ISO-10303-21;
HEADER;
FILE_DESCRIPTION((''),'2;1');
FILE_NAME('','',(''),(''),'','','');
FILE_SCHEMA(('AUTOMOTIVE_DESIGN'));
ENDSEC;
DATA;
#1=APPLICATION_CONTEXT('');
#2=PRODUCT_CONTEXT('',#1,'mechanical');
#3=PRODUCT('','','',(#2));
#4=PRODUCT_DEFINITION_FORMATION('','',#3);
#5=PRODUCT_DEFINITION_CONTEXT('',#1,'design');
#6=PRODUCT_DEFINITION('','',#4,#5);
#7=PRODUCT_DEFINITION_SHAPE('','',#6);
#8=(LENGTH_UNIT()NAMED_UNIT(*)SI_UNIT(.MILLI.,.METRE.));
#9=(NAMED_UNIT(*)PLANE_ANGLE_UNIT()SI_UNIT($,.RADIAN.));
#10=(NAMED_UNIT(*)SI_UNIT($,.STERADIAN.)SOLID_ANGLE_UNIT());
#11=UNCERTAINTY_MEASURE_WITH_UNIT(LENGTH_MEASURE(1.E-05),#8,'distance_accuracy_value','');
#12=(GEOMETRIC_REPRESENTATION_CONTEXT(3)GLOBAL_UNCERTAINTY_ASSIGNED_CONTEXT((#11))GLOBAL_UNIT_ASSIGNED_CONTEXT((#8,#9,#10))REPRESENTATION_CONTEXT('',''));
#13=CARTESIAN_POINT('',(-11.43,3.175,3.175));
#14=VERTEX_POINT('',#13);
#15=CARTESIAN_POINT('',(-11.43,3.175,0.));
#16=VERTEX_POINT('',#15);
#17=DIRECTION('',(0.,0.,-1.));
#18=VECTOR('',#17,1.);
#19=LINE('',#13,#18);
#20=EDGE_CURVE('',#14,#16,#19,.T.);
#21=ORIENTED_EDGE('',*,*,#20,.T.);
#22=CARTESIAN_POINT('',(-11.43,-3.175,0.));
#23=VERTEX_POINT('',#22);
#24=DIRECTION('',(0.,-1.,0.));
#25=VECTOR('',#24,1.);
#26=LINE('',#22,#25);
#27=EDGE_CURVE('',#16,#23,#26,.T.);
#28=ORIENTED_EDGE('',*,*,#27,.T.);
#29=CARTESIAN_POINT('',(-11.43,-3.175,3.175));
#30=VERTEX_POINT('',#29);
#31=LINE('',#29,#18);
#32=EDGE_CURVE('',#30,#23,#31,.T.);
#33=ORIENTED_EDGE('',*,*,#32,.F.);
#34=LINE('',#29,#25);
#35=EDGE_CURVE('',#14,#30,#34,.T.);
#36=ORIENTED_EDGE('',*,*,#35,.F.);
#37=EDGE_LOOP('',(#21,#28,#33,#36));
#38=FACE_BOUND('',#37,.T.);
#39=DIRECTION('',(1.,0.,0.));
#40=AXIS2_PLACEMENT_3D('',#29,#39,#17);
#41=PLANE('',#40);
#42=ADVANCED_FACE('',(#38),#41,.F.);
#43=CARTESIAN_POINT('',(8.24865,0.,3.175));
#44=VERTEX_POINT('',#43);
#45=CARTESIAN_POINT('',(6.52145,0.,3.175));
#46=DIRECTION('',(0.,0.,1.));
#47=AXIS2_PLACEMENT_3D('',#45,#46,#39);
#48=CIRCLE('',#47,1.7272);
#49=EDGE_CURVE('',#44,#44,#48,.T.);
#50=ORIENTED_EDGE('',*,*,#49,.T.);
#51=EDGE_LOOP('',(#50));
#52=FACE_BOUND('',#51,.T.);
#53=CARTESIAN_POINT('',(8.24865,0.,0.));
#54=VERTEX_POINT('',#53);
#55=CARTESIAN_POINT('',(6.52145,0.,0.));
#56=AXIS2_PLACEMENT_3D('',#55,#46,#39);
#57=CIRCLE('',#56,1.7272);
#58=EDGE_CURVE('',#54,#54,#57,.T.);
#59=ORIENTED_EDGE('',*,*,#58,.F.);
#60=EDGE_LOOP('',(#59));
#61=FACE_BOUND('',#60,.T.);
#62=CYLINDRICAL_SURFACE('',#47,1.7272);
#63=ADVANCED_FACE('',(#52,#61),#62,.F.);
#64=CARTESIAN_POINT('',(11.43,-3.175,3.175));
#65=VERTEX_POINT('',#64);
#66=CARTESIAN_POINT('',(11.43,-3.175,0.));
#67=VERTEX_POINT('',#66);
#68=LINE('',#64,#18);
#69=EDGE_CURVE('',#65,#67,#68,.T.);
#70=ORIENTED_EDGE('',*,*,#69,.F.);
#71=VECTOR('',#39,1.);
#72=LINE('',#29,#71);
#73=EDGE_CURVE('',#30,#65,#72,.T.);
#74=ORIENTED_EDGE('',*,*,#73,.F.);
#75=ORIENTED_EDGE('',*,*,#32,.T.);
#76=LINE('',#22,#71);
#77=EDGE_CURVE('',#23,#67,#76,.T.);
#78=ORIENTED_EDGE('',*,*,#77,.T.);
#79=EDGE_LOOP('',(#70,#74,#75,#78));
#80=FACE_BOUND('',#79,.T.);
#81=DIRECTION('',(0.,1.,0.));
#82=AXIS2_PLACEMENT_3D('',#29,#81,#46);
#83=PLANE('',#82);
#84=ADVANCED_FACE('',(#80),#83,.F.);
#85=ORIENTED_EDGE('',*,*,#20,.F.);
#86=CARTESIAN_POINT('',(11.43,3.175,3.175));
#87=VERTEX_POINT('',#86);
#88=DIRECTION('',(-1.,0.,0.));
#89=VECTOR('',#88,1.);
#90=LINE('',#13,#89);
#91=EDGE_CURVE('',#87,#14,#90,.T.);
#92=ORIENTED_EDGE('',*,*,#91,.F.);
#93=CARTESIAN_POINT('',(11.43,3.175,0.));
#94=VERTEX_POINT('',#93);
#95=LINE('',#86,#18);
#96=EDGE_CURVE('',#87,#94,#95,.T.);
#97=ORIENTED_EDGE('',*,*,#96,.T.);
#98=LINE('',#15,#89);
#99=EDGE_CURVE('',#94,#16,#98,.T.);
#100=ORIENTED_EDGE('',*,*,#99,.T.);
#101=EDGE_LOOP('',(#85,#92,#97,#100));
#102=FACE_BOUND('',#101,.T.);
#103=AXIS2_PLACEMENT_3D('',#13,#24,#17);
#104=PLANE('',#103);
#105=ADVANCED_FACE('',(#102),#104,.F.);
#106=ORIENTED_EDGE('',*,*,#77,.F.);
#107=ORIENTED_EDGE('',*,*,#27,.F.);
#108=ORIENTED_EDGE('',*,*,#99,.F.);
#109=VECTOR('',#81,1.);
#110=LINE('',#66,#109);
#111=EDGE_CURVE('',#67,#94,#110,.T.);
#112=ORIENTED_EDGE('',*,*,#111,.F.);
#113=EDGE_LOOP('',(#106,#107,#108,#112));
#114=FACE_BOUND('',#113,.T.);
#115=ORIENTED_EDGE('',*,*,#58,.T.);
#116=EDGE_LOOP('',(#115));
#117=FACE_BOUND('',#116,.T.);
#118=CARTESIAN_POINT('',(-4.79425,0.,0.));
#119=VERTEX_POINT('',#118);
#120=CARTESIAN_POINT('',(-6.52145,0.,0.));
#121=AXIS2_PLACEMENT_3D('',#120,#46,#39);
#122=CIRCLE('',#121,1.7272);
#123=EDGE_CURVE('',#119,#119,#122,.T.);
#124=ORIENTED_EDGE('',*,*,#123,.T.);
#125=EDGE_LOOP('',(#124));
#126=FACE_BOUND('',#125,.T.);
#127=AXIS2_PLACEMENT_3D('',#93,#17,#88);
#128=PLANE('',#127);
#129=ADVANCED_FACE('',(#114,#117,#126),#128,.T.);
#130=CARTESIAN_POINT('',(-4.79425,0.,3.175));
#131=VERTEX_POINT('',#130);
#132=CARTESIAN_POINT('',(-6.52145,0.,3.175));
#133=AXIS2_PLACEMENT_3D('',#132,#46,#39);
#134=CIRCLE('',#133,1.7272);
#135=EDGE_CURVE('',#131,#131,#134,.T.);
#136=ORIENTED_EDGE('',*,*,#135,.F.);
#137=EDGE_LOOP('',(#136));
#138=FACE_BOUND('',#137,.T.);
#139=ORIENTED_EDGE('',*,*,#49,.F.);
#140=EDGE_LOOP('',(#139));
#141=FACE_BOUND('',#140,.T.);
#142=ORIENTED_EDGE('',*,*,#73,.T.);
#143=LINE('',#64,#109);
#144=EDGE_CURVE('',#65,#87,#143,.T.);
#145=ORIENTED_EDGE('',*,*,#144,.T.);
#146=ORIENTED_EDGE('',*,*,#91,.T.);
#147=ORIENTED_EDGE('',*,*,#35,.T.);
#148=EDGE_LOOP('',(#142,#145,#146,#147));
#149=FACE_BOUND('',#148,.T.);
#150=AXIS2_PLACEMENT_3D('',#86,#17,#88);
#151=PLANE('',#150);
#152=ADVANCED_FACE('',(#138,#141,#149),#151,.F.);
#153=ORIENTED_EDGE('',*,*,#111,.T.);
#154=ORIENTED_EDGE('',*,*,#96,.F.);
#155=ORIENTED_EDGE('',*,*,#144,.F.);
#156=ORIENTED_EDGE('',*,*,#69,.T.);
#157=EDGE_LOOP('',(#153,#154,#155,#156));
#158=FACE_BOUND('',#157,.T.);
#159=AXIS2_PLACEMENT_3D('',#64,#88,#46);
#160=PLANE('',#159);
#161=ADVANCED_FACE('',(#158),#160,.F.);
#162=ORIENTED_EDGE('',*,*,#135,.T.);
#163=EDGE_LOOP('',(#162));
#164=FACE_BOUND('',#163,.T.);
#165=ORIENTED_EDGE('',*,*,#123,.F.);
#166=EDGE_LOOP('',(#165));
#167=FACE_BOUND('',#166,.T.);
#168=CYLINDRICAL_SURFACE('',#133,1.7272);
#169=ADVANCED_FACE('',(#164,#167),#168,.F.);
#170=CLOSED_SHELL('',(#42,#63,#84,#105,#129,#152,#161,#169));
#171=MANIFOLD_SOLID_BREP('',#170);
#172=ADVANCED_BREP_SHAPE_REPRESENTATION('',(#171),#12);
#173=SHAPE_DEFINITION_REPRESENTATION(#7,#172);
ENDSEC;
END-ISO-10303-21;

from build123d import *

# Parameters (mm, degrees)
SKETCH1_W             = 22.86
SKETCH1_H             = 6.35
BOSS_EXTRUDE1_DEPTH   = 3.175
F_4_CLEARANCE_HOLE1_D = 3.4544


with BuildPart() as part:
    # Sketch1 → Boss-Extrude1 (new body)
    with BuildSketch(Plane.XY):
        Rectangle(SKETCH1_W, SKETCH1_H)
    extrude(amount=BOSS_EXTRUDE1_DEPTH)

    # #4 Clearance Hole1 (through all)
    with Locations(Plane.XY.offset(3.175)):
        with Locations((-6.52145, 0), (6.52145, 0)):
            Hole(F_4_CLEARANCE_HOLE1_D / 2)


solid = part.part
